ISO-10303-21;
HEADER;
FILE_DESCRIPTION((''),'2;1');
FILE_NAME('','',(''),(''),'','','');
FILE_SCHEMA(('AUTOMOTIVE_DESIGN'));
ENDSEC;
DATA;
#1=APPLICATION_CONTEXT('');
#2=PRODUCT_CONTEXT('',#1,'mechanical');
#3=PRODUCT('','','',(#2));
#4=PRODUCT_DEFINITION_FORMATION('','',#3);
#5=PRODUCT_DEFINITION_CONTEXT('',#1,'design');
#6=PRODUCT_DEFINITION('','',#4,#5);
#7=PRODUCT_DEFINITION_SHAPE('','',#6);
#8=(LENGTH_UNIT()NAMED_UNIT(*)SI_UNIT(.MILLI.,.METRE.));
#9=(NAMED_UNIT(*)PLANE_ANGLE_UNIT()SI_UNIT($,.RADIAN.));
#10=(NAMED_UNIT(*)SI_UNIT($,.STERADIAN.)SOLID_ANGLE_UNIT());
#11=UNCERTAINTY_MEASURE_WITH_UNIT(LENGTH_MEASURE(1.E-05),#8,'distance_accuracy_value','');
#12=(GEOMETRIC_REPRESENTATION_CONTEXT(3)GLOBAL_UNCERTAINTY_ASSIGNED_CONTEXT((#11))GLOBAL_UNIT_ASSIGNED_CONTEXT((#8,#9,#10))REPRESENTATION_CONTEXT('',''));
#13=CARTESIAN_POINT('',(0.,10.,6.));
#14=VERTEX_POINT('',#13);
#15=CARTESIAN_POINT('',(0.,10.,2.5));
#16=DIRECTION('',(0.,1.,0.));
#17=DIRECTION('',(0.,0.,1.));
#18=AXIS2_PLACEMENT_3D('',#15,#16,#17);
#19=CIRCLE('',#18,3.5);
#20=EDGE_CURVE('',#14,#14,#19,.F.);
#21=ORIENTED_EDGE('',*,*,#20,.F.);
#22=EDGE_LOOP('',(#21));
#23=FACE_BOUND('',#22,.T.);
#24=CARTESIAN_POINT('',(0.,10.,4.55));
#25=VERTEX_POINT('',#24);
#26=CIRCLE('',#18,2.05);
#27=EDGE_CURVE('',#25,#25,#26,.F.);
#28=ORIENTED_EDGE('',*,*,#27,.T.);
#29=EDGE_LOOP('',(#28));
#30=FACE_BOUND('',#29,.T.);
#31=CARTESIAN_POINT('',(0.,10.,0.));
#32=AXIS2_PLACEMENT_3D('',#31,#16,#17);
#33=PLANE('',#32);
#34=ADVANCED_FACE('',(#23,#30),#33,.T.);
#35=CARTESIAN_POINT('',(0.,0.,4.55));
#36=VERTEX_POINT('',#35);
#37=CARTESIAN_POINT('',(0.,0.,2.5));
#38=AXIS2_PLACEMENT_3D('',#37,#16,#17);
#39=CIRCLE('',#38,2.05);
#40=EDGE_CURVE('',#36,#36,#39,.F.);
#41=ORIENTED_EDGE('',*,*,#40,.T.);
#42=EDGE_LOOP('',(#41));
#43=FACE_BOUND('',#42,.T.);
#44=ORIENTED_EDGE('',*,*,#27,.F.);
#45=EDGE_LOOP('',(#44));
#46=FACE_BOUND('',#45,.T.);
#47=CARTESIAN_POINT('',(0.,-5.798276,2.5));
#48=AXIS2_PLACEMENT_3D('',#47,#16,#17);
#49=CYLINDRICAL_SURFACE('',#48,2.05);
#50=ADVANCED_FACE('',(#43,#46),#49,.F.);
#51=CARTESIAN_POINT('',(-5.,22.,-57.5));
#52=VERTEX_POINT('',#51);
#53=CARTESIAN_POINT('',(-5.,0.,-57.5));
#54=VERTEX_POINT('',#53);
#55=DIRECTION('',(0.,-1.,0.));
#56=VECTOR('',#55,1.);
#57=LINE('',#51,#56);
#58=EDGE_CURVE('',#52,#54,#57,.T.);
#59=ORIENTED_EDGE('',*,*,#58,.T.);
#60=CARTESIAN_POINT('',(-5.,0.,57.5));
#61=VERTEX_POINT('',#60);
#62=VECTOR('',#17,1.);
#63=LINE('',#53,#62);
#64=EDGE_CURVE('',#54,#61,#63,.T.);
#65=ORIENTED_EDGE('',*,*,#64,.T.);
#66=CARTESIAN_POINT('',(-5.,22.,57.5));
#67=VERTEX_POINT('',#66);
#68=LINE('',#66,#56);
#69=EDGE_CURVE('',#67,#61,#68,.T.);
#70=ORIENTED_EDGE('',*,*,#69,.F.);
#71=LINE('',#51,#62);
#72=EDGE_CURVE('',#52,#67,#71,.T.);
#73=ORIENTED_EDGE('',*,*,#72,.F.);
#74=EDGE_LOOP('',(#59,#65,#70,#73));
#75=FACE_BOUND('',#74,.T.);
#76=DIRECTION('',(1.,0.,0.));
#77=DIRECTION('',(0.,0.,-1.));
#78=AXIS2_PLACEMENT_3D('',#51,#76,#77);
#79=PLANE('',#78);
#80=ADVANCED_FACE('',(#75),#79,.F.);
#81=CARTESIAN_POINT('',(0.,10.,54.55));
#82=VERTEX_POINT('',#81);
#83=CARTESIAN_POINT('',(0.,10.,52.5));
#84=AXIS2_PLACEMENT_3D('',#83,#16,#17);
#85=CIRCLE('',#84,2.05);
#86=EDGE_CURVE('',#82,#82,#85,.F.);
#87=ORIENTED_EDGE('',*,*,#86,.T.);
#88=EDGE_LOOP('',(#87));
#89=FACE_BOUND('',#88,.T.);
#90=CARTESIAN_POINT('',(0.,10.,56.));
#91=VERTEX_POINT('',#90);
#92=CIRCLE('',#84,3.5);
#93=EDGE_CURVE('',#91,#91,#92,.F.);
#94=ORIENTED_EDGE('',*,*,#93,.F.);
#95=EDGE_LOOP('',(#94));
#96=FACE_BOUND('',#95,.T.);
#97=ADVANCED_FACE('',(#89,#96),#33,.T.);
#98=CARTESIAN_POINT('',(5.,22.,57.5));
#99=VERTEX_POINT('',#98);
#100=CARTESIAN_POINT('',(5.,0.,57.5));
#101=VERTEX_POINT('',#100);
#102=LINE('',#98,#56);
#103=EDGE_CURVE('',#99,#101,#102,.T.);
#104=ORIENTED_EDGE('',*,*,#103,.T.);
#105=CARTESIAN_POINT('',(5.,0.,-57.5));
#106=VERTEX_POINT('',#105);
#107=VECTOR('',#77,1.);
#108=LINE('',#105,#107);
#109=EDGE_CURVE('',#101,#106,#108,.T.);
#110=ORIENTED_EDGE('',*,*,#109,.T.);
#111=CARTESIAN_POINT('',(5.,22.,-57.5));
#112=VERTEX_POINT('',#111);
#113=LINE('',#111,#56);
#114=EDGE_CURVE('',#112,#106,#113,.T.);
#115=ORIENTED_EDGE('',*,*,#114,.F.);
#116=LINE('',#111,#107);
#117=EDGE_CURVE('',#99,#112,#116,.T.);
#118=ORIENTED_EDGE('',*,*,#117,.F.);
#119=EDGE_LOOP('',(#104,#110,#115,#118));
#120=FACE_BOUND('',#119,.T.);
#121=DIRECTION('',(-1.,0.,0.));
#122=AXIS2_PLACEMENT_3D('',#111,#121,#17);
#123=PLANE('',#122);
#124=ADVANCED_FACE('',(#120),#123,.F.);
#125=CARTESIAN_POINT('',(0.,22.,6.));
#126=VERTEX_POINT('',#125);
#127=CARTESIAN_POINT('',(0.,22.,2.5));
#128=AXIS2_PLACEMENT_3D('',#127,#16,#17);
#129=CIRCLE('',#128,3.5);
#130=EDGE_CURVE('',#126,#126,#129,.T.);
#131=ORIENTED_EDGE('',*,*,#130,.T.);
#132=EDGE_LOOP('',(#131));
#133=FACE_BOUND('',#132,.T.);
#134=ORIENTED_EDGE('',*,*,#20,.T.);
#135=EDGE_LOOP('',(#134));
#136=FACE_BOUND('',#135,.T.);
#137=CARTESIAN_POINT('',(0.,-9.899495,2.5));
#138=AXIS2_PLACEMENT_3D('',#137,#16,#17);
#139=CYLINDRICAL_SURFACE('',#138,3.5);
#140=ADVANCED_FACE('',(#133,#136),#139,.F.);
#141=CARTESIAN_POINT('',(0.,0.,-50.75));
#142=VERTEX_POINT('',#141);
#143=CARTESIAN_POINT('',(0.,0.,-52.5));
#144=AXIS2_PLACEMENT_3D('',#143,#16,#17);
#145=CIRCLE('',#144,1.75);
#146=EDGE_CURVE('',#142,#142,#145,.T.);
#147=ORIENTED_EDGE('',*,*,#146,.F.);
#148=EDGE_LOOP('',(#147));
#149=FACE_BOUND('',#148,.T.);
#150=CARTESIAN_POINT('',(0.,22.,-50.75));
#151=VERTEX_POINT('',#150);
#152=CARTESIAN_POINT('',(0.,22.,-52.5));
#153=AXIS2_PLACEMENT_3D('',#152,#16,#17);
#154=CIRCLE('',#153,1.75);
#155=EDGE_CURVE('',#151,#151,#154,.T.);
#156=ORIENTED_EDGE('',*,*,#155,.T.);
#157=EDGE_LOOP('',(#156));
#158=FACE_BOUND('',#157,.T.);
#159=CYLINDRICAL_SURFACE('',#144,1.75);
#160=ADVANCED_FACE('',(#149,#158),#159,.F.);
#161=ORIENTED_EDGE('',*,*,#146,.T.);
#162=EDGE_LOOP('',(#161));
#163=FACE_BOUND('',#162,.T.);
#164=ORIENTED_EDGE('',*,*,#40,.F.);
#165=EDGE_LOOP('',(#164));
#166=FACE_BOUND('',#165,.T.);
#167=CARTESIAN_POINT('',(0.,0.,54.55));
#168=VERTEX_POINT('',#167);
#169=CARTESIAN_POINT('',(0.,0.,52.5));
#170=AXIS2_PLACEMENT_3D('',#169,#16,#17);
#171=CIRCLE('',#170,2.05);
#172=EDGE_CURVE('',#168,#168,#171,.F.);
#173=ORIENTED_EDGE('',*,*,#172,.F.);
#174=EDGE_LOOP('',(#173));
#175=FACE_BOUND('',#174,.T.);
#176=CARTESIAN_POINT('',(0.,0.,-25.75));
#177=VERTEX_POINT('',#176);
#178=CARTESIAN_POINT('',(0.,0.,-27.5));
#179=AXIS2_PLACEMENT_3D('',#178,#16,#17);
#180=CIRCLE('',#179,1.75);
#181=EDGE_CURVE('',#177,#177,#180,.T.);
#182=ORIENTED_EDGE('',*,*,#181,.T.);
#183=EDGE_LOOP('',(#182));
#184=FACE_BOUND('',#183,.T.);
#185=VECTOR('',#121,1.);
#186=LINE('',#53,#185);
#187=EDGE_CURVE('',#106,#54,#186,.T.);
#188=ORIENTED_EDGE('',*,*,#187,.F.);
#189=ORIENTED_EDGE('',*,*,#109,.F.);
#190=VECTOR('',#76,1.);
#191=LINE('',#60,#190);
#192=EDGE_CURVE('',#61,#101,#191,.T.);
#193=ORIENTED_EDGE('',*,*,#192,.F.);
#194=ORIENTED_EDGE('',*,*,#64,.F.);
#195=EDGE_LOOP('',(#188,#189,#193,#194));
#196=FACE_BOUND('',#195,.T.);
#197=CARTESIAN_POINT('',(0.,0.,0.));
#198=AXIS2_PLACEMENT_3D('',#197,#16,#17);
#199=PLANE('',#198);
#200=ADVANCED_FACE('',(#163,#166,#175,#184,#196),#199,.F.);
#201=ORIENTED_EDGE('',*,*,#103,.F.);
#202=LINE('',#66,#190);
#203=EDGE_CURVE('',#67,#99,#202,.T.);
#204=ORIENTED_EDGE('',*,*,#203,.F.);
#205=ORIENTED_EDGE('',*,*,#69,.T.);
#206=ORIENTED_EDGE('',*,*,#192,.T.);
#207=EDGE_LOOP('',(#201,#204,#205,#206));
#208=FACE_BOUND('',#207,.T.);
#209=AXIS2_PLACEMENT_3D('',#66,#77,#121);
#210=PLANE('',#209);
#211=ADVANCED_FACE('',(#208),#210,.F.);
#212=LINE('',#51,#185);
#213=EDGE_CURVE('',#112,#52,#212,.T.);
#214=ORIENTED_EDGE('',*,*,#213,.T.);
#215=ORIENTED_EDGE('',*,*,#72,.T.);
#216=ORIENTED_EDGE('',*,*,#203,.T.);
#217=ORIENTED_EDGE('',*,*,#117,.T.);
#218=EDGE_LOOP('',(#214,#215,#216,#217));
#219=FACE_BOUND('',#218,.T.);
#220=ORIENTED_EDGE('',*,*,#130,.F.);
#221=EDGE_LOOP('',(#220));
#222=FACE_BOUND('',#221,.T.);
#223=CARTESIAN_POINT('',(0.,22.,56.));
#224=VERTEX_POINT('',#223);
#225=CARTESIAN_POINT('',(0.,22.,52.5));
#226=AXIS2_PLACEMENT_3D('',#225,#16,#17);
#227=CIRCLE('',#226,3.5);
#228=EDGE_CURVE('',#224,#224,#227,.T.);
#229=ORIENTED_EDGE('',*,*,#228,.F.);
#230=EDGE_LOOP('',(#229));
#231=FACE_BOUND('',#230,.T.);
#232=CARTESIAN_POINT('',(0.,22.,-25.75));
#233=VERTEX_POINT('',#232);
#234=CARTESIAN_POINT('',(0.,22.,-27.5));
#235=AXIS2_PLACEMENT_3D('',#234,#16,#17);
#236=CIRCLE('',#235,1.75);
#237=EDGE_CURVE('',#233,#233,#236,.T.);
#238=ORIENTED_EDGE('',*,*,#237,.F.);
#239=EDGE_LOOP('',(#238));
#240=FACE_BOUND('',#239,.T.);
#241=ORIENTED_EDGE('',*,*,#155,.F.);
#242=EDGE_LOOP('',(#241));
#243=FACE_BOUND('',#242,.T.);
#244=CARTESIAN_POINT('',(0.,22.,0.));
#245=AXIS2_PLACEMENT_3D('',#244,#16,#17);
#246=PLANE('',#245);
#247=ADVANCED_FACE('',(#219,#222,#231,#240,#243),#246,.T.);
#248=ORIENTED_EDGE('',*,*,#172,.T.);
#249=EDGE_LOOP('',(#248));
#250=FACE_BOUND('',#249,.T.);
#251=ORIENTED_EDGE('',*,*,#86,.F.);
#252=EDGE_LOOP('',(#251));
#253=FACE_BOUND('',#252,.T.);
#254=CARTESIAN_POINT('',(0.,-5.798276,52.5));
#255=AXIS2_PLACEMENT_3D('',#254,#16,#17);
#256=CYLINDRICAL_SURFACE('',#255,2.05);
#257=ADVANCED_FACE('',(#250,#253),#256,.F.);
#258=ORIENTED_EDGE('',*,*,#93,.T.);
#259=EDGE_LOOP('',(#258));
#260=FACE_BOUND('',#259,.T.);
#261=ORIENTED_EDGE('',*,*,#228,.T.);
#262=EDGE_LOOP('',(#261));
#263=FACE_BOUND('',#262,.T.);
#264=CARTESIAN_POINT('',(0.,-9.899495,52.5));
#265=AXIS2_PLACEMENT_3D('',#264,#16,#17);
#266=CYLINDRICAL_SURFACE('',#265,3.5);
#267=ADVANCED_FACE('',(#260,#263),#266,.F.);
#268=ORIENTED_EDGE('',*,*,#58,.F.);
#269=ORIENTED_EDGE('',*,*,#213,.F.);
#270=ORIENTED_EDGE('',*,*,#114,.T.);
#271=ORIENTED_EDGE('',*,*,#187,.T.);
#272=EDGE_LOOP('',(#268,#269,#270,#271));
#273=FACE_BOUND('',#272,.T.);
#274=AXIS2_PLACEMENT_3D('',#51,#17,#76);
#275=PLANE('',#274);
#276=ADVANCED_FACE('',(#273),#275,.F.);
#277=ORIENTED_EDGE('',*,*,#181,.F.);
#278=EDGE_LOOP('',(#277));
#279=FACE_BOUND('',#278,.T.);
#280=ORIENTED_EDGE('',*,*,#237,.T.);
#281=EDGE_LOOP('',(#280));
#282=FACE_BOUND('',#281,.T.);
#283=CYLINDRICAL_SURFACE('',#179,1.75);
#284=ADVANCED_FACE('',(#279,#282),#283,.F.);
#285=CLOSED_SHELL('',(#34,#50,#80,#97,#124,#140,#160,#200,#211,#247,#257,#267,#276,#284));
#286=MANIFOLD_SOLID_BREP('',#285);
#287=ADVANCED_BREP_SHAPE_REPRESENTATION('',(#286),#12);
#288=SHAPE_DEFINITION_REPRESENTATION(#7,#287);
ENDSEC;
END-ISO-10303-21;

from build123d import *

# Parameters (mm, degrees)
SKETCH1_W           = 10
SKETCH1_H           = 115
BOSS_EXTRUDE1_DEPTH = 22
SKETCH3_R           = 2.05
CUT_EXTRUDE1_DEPTH  = 22
SKETCH4_R           = 3.5
CUT_EXTRUDE2_DEPTH  = 12
SKETCH7_R           = 1.75
CUT_EXTRUDE3_DEPTH  = 23


with BuildPart() as part:
    # Sketch1 → Boss-Extrude1 (new body)
    with BuildSketch(Plane(origin=(0, 0, 0), x_dir=(1, 0, 0), z_dir=(0, 1, 0))):
        Rectangle(SKETCH1_W, SKETCH1_H)
    extrude(amount=BOSS_EXTRUDE1_DEPTH)

    # Sketch3 → Cut-Extrude1 (cut)
    with BuildSketch(Plane(origin=(0, 22, 0), x_dir=(1, 0, 0), z_dir=(0, 1, 0))):
        with Locations((0, -52.5)):
            Circle(SKETCH3_R)
        with Locations((0, -2.5)):
            Circle(SKETCH3_R)
    extrude(amount=-CUT_EXTRUDE1_DEPTH, mode=Mode.SUBTRACT)

    # Sketch4 → Cut-Extrude2 (cut)
    with BuildSketch(Plane(origin=(0, 22, 0), x_dir=(1, 0, 0), z_dir=(0, 1, 0))):
        with Locations((0, -52.5)):
            Circle(SKETCH4_R)
        with Locations((0, -2.5)):
            Circle(SKETCH4_R)
    extrude(amount=-CUT_EXTRUDE2_DEPTH, mode=Mode.SUBTRACT)

    # Sketch7 → Cut-Extrude3 (cut, through all)
    with BuildSketch(Plane(origin=(0, 22, 0), x_dir=(1, 0, 0), z_dir=(0, 1, 0))):
        with Locations((0, 52.5)):
            Circle(SKETCH7_R)
        with Locations((0, 27.5)):
            Circle(SKETCH7_R)
    extrude(amount=-CUT_EXTRUDE3_DEPTH, mode=Mode.SUBTRACT)


solid = part.part
